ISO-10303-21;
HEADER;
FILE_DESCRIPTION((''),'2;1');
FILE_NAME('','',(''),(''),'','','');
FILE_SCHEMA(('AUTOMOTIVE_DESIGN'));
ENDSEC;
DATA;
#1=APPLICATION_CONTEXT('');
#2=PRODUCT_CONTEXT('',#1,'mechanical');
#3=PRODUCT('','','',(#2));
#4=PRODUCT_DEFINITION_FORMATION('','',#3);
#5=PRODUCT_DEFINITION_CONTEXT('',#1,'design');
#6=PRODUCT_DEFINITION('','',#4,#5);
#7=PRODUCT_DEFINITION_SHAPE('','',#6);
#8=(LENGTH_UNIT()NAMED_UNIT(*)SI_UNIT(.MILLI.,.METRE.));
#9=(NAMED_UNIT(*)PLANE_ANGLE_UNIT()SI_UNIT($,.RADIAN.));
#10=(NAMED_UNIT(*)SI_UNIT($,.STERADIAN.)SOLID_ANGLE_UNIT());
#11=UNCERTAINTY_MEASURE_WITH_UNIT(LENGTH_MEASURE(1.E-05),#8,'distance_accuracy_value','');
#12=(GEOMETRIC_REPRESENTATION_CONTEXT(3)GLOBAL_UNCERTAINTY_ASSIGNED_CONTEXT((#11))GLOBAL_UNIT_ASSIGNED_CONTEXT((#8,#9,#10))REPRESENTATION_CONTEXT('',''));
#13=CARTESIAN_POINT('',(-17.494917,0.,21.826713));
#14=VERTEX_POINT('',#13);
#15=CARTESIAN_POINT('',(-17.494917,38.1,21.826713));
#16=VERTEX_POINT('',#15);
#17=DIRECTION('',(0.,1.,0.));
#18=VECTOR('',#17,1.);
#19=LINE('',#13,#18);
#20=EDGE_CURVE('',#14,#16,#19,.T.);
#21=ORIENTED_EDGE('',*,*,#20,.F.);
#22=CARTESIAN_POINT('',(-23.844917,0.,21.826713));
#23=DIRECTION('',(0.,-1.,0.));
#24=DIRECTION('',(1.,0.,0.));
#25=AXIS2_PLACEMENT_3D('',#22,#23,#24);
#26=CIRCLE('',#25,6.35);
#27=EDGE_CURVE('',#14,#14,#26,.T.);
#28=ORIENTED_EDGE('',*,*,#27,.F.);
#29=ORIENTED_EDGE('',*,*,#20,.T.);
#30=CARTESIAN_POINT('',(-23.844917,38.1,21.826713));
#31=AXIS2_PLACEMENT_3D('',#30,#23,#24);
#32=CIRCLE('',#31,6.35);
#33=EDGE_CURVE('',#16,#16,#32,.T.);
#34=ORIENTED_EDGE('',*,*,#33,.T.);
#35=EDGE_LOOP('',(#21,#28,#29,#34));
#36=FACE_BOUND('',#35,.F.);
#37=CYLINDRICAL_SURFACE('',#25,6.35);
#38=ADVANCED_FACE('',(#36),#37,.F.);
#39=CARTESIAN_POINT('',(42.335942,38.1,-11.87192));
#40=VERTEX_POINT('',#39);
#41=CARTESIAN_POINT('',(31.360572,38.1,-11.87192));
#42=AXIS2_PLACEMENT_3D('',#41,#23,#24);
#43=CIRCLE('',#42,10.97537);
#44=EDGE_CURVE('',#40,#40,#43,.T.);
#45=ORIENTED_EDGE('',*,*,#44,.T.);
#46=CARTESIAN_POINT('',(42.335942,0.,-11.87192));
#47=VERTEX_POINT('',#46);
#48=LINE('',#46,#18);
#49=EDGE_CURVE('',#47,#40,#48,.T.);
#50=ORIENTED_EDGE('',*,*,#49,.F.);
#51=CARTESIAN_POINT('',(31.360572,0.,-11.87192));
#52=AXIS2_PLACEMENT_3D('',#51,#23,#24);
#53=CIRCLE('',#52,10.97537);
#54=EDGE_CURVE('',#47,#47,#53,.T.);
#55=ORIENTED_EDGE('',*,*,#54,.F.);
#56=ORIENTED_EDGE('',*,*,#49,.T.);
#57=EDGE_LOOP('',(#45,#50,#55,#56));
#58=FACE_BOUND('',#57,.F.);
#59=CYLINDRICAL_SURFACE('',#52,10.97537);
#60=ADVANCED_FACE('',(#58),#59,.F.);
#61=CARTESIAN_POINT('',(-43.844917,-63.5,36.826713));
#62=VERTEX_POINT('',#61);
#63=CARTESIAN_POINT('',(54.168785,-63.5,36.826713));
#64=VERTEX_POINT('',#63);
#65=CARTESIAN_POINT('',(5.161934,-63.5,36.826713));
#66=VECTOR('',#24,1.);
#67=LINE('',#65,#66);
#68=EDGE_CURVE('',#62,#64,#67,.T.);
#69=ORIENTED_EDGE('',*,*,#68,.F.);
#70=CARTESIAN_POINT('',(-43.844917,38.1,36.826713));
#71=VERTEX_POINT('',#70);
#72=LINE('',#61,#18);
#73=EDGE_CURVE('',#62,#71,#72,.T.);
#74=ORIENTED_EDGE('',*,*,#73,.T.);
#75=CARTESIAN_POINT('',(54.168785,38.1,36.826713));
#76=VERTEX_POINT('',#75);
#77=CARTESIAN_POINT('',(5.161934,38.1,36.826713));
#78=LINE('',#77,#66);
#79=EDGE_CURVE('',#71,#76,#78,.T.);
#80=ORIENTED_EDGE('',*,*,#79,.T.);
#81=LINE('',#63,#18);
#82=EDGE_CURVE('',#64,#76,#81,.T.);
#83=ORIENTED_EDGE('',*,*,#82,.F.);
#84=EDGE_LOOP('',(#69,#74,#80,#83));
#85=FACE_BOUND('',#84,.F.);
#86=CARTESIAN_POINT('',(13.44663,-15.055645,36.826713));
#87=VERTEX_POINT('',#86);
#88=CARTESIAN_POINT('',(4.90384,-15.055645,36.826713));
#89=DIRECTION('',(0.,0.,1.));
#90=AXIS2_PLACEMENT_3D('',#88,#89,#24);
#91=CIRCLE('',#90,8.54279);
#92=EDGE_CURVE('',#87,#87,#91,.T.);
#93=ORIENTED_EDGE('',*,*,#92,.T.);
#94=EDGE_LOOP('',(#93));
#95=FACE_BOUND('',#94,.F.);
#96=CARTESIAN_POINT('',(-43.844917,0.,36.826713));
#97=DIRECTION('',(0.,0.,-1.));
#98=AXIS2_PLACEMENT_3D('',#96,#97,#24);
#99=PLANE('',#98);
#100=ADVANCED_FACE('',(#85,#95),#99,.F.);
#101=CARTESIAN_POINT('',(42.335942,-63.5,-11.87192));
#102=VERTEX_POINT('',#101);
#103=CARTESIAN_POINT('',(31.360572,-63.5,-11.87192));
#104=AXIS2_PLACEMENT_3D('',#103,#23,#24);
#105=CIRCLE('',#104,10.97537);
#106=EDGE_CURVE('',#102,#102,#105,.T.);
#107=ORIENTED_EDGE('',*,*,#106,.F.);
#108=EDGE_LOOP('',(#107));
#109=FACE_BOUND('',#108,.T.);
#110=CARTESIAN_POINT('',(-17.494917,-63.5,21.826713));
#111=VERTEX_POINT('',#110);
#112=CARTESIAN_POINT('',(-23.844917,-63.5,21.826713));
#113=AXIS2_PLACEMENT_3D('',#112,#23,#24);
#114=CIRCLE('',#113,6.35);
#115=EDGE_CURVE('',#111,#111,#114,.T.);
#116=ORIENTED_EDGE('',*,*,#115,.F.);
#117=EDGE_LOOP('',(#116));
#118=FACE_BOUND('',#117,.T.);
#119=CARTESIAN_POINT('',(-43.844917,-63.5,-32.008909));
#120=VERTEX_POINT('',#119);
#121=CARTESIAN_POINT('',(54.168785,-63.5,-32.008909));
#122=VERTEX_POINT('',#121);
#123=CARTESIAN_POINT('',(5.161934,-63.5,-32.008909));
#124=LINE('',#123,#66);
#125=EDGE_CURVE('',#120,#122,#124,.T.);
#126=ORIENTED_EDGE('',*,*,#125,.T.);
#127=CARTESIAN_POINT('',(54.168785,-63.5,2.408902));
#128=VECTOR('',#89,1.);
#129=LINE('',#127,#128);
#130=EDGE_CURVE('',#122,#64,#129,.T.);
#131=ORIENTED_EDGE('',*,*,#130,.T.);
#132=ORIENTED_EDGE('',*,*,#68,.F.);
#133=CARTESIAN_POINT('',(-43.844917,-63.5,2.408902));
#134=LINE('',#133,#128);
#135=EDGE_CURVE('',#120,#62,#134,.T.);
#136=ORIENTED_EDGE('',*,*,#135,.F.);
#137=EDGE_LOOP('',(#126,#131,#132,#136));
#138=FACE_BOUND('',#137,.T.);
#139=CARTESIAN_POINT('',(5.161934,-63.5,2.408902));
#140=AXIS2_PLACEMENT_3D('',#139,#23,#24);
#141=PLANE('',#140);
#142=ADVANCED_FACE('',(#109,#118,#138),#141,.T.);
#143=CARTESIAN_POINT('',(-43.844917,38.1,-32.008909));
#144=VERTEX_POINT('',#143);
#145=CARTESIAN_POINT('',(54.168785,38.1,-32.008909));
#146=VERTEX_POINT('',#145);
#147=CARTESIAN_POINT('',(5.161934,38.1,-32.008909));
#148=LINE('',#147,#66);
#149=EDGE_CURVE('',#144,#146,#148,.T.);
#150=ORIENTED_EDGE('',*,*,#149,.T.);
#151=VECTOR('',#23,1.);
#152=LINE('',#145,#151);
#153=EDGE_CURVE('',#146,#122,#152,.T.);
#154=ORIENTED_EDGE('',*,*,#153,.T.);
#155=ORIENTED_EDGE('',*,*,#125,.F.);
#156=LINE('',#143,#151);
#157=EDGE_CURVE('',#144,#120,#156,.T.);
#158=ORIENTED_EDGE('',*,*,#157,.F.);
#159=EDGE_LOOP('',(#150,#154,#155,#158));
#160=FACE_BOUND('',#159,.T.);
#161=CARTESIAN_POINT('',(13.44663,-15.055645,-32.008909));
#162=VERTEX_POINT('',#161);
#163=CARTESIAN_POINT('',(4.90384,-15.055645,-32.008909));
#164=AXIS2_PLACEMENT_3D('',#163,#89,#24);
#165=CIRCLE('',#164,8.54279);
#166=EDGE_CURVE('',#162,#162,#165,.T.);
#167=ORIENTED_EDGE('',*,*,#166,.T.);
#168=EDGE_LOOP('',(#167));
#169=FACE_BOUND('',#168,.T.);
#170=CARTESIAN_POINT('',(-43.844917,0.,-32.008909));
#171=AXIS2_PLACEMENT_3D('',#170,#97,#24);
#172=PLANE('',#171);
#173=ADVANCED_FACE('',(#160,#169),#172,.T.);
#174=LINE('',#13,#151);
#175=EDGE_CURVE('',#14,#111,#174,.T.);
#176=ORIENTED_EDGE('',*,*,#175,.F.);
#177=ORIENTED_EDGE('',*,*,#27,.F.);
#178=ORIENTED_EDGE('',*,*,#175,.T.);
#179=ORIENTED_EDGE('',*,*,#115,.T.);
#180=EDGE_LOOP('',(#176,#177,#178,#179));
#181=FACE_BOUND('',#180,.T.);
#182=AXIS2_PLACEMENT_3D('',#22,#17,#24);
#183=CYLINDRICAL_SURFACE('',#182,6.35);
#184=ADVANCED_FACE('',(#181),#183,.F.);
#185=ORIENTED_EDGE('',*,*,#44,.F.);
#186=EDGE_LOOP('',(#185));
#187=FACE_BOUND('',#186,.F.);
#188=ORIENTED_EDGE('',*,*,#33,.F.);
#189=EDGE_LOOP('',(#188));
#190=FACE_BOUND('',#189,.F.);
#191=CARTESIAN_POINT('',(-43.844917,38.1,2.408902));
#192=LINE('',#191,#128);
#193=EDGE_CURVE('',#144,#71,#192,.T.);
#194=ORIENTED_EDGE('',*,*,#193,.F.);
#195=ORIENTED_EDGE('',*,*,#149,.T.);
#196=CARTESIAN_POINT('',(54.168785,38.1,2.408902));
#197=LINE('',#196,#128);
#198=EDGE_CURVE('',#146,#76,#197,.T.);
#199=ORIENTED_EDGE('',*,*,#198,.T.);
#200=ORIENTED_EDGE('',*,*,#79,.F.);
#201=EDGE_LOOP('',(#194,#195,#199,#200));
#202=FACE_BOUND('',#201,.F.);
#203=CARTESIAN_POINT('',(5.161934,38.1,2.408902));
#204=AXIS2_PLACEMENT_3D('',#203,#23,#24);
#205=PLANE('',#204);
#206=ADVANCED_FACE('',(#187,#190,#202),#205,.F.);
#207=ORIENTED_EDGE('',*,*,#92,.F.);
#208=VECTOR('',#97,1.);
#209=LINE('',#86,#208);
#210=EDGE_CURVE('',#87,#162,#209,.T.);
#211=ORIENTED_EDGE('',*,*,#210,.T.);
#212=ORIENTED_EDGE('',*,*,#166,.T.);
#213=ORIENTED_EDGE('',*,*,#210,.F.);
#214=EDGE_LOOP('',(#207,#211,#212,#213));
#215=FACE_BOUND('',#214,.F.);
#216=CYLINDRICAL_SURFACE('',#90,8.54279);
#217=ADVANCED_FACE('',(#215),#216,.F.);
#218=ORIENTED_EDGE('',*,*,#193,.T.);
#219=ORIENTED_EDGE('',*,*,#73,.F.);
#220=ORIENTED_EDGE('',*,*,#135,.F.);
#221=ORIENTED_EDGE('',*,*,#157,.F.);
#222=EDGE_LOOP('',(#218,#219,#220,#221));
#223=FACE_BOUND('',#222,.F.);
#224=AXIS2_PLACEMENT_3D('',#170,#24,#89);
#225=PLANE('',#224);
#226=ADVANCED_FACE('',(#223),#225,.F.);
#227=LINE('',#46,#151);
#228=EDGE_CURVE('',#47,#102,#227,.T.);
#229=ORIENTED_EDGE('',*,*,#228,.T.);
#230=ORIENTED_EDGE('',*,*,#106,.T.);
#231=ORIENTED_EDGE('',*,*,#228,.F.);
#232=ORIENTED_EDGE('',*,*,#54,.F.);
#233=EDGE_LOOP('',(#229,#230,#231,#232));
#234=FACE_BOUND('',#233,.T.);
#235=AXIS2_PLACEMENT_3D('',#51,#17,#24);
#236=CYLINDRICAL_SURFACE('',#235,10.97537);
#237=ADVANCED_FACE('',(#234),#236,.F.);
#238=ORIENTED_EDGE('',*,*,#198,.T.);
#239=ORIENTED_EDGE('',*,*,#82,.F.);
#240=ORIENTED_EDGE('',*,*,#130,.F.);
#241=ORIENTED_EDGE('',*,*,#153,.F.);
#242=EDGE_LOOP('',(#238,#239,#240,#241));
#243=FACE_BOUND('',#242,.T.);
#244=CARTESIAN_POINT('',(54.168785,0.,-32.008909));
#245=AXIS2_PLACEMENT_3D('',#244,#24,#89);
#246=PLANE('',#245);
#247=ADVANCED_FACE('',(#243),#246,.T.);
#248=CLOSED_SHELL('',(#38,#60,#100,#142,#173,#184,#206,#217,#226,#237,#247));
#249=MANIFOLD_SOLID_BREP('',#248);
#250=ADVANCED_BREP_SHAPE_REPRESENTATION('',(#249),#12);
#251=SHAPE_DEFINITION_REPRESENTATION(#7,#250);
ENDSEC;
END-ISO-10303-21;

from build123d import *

# Parameters (mm, degrees)
F0_W          = 98.013702
F0_H          = 68.835622
F0_R          = 10.97537
F0_R_2        = 6.35
F1_DEPTH      = 63.5
F1_DEPTH_BACK = 38.1
F2_R          = 8.54279
F3_DEPTH      = 68.836623


with BuildPart() as f1:
    # F0 (on Front) → F1 (new body, two sides)
    with BuildSketch(Plane.XZ) as f1_sk:
        with Locations((5.161934, 2.408902)):
            Rectangle(F0_W, F0_H)
        with Locations((31.360572, -11.87192)):
            Circle(F0_R, mode=Mode.SUBTRACT)
        with Locations((-23.844917, 21.826713)):
            Circle(F0_R_2, mode=Mode.SUBTRACT)
    extrude(amount=F1_DEPTH)
    extrude(f1_sk.sketch, amount=-F1_DEPTH_BACK)

    # F2 (on face) → F3 (cut, through all)
    with BuildSketch(Plane.XY.offset(36.826713)):
        with Locations((4.90384, -15.055645)):
            Circle(F2_R)
    extrude(amount=-F3_DEPTH, mode=Mode.SUBTRACT)


solid = f1.part
